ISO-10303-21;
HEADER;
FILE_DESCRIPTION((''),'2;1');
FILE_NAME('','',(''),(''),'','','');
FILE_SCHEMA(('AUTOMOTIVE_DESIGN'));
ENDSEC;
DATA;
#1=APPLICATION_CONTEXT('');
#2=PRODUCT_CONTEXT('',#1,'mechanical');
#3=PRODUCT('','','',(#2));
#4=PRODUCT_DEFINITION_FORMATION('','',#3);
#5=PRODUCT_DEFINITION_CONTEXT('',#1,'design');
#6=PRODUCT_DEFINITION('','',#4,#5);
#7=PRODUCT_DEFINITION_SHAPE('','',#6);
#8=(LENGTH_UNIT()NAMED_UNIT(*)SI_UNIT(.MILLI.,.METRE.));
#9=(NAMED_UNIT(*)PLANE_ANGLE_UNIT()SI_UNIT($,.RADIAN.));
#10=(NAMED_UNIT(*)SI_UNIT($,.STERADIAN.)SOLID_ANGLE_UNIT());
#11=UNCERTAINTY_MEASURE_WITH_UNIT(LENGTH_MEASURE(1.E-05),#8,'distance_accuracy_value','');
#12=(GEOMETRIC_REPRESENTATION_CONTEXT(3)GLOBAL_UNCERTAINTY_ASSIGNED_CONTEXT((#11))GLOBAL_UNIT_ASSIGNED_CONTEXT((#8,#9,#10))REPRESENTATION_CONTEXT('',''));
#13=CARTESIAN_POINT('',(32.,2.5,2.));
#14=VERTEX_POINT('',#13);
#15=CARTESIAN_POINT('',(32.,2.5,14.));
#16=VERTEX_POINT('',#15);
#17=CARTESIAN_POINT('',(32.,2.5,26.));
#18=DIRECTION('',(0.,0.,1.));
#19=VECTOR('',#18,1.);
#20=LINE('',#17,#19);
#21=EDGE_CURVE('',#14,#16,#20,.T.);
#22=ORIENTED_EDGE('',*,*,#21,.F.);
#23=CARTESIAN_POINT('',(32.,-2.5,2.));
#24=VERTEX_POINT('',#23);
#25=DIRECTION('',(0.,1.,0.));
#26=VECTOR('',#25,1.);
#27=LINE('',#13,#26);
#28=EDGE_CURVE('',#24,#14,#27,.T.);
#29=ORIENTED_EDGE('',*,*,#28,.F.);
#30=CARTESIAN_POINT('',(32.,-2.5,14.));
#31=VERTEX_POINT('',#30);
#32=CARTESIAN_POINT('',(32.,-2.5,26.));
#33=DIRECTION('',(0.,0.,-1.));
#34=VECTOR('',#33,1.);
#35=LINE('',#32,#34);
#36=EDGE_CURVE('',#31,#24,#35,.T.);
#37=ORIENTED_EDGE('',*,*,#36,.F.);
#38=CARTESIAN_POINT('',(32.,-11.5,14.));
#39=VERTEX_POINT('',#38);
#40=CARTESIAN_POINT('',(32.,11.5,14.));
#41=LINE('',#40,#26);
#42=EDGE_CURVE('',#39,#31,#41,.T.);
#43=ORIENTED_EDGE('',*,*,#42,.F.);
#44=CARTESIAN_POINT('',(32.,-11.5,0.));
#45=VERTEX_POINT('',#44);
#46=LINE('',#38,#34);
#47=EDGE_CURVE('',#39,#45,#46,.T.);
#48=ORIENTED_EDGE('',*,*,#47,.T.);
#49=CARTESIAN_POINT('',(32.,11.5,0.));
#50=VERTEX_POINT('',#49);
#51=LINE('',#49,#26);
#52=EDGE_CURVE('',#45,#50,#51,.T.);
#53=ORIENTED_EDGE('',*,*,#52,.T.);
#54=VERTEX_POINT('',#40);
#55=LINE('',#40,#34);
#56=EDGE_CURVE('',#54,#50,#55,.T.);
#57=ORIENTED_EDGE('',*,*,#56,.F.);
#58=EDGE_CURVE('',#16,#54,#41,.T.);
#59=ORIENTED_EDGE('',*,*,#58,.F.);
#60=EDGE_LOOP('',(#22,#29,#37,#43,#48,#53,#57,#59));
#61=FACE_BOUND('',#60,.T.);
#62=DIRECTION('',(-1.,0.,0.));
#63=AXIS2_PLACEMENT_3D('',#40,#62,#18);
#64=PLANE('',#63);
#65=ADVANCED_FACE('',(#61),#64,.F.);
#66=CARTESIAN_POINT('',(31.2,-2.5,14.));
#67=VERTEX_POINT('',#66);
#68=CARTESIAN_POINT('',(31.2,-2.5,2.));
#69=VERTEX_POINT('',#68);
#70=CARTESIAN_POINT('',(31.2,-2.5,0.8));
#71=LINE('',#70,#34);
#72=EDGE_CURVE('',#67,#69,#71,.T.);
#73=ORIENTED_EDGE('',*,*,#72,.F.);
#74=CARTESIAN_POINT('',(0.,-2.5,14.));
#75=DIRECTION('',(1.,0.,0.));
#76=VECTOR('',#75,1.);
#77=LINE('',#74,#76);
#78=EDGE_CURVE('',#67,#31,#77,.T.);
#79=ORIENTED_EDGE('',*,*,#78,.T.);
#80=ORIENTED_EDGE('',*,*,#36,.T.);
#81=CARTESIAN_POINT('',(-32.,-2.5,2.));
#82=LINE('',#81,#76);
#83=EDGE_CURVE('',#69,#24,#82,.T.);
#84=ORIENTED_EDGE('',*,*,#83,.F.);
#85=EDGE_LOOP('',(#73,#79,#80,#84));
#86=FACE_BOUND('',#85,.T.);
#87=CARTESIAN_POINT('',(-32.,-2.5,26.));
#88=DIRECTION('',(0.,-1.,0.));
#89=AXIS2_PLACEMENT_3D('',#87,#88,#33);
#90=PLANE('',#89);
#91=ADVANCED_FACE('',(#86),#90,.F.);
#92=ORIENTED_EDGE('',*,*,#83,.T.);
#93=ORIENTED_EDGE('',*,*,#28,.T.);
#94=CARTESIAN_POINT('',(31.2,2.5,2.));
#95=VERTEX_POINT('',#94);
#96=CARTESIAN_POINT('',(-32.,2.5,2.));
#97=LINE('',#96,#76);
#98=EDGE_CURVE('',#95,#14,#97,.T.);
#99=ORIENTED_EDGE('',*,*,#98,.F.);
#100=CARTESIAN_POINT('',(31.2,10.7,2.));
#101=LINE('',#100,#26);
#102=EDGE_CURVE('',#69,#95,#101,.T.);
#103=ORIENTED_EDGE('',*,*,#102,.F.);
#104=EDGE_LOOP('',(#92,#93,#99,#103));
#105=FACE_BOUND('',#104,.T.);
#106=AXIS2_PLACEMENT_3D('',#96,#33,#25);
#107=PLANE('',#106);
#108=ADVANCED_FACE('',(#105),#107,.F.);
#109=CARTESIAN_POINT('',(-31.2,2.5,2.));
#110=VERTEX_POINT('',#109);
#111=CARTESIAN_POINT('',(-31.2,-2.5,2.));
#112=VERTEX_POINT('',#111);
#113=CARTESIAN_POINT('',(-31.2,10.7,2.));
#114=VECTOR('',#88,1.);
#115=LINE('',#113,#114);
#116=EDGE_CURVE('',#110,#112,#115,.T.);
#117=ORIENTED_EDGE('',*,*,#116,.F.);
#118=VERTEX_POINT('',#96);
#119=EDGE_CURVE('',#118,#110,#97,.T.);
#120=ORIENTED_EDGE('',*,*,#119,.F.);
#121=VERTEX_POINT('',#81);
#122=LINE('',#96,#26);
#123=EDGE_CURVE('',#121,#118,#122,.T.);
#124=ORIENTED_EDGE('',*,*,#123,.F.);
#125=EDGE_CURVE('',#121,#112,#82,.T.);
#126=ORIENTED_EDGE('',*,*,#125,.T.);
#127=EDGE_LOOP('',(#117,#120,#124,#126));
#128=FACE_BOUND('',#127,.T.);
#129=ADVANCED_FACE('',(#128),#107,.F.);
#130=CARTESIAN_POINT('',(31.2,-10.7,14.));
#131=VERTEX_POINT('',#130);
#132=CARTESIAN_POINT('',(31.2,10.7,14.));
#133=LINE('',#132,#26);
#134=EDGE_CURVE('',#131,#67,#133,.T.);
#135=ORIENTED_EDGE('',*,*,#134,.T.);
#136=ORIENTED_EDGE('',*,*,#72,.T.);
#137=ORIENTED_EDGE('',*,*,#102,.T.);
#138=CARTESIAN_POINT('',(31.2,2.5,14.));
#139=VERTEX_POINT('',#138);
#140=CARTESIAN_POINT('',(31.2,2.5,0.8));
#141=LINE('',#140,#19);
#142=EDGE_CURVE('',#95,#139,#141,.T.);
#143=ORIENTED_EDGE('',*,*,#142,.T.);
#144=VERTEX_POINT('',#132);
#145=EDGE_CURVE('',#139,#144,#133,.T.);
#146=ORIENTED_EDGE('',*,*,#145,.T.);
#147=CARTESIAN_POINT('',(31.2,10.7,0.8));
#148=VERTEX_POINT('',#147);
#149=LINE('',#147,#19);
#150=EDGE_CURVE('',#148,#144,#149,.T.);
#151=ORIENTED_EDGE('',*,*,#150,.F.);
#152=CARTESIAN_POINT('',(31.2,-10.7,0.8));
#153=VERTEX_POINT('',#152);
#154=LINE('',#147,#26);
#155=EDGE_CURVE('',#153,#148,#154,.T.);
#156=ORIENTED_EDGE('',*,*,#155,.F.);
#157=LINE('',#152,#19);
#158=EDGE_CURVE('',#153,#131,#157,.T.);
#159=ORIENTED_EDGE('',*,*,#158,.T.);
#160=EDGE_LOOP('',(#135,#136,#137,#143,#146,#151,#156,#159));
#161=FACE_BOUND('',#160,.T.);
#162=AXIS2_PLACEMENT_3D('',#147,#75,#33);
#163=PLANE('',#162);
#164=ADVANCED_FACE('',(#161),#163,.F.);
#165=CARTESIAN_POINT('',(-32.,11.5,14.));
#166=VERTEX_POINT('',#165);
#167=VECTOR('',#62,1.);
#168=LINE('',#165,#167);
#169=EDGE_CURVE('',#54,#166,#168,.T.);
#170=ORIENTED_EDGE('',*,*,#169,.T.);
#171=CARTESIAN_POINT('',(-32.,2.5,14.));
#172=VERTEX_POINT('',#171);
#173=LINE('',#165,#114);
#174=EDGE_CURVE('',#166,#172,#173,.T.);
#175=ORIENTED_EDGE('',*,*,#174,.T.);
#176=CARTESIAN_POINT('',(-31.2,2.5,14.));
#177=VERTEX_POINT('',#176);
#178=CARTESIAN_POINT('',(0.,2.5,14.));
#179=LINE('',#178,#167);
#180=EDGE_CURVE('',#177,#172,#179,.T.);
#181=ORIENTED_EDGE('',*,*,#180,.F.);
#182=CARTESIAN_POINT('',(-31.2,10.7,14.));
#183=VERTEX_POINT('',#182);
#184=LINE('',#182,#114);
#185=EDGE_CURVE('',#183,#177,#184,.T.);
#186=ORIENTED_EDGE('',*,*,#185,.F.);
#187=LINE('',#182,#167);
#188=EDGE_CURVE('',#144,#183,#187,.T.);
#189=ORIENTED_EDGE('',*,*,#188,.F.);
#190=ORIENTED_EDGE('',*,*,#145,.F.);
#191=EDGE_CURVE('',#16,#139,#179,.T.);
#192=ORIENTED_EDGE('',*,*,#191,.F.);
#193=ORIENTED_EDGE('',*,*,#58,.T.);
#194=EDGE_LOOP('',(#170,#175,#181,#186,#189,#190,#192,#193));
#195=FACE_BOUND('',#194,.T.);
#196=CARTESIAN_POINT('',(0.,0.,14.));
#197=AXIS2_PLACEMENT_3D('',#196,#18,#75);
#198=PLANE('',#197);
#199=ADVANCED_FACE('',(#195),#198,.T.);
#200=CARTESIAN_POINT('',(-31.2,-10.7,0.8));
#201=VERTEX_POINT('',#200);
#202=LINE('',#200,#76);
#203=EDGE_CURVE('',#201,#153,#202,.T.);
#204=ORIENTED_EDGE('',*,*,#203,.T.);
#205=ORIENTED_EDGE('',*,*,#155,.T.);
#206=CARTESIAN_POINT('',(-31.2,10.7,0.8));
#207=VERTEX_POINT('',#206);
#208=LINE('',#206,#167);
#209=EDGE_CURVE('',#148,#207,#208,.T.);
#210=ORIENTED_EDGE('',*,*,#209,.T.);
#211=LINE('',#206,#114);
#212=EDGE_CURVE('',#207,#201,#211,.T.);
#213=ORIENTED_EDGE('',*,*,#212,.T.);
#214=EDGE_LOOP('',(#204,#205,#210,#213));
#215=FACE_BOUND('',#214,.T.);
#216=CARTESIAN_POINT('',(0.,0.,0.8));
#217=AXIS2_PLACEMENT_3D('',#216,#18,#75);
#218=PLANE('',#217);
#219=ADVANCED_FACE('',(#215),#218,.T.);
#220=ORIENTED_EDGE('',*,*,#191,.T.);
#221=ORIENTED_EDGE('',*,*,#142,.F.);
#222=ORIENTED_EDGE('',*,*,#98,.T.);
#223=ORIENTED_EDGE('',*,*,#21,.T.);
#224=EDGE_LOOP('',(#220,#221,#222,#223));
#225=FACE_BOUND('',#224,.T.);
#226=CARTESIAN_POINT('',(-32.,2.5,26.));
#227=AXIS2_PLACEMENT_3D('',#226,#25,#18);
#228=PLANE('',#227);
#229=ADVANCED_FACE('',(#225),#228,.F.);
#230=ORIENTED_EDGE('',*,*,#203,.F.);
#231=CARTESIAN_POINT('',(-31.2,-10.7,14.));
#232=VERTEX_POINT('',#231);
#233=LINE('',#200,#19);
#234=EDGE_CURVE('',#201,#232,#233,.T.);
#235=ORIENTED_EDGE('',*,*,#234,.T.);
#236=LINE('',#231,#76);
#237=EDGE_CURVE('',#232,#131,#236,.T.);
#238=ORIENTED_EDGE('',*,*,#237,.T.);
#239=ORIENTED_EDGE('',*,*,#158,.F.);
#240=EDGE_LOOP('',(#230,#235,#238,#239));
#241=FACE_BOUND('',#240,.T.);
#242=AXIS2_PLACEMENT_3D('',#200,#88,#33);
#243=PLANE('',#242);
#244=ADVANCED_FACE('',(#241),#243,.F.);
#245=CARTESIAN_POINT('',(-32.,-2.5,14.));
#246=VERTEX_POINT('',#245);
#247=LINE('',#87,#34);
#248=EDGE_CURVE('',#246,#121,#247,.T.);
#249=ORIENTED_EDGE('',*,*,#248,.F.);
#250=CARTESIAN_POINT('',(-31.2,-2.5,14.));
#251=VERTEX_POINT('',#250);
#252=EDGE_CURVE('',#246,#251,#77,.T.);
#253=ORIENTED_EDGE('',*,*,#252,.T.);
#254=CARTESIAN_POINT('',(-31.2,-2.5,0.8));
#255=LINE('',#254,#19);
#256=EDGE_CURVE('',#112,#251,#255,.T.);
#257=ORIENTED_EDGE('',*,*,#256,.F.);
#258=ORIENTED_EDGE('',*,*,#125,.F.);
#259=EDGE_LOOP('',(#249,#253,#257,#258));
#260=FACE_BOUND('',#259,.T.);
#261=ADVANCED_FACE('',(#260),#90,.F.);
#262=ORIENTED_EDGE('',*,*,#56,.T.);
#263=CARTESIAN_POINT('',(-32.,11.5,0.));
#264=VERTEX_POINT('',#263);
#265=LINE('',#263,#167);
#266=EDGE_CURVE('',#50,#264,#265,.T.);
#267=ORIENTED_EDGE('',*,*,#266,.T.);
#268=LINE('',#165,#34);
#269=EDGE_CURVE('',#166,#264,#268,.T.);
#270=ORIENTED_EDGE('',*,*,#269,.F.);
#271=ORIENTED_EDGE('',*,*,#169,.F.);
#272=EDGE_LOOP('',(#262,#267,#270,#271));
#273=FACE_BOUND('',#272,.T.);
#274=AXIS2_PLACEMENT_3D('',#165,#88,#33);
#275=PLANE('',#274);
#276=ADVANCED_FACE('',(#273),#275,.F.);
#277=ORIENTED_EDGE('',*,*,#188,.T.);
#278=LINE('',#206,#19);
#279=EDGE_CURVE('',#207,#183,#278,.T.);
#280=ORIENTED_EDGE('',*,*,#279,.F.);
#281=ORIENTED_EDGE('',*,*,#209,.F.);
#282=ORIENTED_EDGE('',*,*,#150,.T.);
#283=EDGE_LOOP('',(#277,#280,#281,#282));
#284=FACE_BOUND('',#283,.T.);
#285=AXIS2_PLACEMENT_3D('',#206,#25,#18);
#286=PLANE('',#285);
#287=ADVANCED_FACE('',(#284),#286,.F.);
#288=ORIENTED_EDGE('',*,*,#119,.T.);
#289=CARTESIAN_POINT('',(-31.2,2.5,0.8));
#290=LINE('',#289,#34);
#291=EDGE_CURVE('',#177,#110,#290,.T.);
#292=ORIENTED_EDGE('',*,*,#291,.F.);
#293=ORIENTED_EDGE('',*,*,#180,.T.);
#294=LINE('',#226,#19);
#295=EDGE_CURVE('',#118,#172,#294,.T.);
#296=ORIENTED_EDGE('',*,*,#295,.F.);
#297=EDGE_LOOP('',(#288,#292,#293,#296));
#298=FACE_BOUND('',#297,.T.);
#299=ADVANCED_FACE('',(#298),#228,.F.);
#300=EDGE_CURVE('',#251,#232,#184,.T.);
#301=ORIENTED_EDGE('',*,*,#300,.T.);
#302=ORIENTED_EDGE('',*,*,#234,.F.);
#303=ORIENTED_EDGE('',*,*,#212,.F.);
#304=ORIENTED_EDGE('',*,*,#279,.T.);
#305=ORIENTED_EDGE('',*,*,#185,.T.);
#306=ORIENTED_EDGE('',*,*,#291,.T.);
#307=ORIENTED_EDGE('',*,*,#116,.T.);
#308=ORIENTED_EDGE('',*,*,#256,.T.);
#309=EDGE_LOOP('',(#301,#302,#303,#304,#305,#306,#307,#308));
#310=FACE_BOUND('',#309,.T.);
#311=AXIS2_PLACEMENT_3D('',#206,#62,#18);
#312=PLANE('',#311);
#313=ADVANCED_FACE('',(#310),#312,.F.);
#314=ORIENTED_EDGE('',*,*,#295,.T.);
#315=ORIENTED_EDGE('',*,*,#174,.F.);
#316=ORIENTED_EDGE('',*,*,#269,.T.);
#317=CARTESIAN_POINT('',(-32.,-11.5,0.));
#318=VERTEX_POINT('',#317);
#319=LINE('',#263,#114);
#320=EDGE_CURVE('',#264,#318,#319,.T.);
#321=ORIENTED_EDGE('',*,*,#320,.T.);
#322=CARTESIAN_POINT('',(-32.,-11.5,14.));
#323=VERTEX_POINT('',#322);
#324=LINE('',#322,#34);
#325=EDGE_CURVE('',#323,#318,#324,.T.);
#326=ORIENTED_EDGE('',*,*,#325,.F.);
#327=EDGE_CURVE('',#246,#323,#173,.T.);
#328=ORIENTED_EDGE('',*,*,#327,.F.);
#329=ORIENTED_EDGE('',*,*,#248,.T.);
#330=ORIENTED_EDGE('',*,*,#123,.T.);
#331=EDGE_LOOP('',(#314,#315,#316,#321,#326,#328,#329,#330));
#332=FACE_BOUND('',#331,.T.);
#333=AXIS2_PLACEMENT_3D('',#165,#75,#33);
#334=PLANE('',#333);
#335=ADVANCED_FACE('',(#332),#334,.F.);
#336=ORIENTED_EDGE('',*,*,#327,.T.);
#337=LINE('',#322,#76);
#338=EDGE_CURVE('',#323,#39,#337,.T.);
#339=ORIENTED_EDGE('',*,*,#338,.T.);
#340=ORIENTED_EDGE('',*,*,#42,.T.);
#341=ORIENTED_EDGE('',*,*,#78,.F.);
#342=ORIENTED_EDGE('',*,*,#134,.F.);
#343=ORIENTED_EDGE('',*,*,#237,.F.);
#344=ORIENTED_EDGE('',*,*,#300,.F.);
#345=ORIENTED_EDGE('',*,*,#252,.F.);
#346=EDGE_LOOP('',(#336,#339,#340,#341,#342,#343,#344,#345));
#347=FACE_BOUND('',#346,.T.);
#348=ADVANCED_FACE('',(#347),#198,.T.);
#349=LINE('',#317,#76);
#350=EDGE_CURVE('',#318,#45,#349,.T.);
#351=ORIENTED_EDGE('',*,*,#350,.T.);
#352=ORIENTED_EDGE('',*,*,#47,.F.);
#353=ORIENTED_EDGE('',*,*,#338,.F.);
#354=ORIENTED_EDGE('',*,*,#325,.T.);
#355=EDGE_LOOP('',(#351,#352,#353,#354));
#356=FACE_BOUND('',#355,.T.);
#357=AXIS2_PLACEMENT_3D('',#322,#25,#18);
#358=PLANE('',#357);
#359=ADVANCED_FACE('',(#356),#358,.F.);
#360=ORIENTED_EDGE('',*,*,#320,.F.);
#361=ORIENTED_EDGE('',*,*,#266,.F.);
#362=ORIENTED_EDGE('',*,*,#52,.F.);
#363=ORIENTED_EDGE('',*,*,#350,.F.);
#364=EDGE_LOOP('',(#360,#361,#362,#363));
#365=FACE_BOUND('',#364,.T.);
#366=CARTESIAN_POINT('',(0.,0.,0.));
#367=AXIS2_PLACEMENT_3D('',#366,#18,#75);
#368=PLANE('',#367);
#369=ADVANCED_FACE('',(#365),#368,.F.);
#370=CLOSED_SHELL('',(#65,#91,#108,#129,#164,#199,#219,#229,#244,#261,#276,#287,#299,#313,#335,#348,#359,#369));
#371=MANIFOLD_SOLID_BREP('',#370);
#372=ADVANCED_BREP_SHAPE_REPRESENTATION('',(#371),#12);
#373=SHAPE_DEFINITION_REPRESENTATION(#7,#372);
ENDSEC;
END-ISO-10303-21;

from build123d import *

# Parameters (mm, degrees)
SKETCH2_W           = 64
SKETCH2_H           = 23
BOSS_EXTRUDE1_DEPTH = 14
SKETCH3_W           = 62.4
SKETCH3_H           = 21.4
CUT_EXTRUDE1_DEPTH  = 13.2
SKETCH4_W           = 24
SKETCH4_H           = 5
CUT_EXTRUDE3_DEPTH  = 67.515035894


with BuildPart() as part:
    # Sketch2 → Boss-Extrude1 (new body)
    with BuildSketch(Plane.XY):
        Rectangle(SKETCH2_W, SKETCH2_H)
    extrude(amount=BOSS_EXTRUDE1_DEPTH)

    # Sketch3 → Cut-Extrude1 (cut)
    with BuildSketch(Plane.XY.offset(14)):
        Rectangle(SKETCH3_W, SKETCH3_H)
    extrude(amount=-CUT_EXTRUDE1_DEPTH, mode=Mode.SUBTRACT)

    # Sketch4 → Cut-Extrude3 (cut, through all)
    with BuildSketch(Plane(origin=(32, 0, 0), x_dir=(0, 0, -1), z_dir=(1, 0, 0))):
        with Locations((-14, 0)):
            Rectangle(SKETCH4_W, SKETCH4_H)
    extrude(amount=-CUT_EXTRUDE3_DEPTH, mode=Mode.SUBTRACT)


solid = part.part
